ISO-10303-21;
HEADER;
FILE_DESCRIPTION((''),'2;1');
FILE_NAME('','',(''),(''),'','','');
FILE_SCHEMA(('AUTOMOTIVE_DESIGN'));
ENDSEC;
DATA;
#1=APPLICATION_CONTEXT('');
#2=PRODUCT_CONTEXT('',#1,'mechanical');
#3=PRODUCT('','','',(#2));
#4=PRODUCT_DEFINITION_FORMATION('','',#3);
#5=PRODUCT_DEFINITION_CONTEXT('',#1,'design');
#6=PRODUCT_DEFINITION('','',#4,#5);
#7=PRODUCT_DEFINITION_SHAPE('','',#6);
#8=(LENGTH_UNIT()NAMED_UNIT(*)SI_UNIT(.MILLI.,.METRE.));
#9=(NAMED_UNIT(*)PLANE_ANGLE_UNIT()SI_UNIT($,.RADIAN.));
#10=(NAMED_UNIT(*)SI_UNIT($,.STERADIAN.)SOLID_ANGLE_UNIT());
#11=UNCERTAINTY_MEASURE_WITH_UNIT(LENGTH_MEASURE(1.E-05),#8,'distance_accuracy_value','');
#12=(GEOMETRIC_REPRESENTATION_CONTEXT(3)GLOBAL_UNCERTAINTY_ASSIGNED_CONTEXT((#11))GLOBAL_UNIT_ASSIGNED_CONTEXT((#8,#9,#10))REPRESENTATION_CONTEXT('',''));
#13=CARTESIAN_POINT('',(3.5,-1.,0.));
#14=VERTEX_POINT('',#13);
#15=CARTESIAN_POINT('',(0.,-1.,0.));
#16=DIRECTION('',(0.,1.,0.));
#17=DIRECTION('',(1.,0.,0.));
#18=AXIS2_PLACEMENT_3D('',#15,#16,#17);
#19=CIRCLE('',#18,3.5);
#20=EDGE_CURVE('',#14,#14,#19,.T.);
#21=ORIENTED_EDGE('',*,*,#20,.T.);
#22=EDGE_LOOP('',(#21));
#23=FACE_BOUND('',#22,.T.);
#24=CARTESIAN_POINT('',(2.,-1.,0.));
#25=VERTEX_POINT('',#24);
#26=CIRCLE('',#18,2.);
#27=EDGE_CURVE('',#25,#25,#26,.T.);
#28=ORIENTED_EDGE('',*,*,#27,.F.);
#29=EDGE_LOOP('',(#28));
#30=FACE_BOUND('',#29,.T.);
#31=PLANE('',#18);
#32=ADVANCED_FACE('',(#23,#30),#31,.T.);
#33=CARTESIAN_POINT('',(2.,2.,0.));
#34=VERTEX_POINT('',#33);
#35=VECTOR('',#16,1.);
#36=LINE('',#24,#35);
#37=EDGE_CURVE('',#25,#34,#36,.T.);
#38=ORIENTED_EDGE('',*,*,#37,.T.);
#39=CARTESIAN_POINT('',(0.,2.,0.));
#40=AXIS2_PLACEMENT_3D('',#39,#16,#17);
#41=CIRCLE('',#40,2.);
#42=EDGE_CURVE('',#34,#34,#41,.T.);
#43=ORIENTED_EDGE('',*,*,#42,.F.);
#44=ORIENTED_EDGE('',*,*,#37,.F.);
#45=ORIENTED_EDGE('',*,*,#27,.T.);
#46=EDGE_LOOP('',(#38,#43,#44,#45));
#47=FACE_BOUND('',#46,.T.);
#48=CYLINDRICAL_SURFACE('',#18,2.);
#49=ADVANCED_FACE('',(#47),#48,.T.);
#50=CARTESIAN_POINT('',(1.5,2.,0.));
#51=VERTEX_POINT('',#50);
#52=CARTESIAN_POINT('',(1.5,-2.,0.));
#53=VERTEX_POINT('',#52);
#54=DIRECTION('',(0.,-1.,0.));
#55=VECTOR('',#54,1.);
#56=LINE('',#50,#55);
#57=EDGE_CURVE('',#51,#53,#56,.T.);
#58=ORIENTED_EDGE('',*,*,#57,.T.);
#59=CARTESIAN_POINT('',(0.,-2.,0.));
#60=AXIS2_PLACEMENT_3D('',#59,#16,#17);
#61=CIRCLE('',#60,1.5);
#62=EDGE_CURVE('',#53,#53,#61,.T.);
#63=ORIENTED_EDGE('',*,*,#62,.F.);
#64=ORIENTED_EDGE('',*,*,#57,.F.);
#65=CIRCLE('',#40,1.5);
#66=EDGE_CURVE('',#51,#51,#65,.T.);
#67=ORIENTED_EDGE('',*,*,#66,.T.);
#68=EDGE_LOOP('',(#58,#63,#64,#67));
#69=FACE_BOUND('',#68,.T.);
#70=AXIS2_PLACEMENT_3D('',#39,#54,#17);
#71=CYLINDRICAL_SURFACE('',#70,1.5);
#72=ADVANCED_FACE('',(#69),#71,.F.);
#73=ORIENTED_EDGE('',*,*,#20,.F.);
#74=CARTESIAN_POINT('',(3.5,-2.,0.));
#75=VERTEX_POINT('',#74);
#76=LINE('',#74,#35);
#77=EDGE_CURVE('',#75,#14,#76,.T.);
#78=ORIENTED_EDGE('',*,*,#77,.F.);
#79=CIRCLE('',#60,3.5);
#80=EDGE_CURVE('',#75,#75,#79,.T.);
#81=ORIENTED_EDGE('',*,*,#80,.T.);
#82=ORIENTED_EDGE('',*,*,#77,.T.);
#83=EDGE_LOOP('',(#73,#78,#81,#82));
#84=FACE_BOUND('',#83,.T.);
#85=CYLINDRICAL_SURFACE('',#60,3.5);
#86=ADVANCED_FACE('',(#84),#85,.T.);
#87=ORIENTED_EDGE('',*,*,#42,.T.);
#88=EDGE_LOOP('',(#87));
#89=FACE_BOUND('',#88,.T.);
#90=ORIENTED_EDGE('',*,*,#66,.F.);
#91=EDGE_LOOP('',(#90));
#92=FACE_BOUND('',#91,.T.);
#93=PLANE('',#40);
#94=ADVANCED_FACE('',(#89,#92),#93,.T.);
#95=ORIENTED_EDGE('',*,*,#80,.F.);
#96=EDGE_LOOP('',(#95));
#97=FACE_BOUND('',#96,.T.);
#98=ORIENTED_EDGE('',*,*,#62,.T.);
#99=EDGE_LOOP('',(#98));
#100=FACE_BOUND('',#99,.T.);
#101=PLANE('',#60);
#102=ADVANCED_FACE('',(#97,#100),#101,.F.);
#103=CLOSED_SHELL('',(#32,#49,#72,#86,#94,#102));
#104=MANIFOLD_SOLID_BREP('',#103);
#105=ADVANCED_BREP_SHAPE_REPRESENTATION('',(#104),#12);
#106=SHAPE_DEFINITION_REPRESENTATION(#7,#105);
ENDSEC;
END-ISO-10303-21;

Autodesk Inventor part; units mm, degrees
ref_plane "YZ Plane" through (0, 0, 0) normal (1, 0, 0) x (0, 1, 0)
ref_plane "XZ Plane" through (0, 0, 0) normal (0, 1, 0) x (-1, 0, 0)
ref_plane "XY Plane" through (0, 0, 0) normal (0, 0, 1) x (1, 0, 0)
sketch "スケッチ1" plane through (0, 0, 0) normal (0, 0, 1) x (1, 0, 0)
  line L0 (0, 0) -> (0, 1.2478) construction
  line L1 (1.5, 2) -> (1.5, -2)
  line L2 (1.5, -2) -> (3.5, -2)
  line L3 (3.5, -2) -> (3.5, -1)
  line L4 (3.5, -1) -> (2, -1)
  line L5 (2, -1) -> (2, 2)
  line L6 (2, 2) -> (1.5, 2)
  point P0 (1.5, 0)
  dimension "d0" = 1.5
  dimension "d1" = 2
  dimension "d2" = 3
  dimension "d3" = 1
  dimension "d4" = 3.5
revolve "回転1" add sketch "スケッチ1" angle 360 about axis through (0, 0, 0) along (0, 1, 0)
properties part number "D3040-7130B" material "アセタール樹脂、白"
